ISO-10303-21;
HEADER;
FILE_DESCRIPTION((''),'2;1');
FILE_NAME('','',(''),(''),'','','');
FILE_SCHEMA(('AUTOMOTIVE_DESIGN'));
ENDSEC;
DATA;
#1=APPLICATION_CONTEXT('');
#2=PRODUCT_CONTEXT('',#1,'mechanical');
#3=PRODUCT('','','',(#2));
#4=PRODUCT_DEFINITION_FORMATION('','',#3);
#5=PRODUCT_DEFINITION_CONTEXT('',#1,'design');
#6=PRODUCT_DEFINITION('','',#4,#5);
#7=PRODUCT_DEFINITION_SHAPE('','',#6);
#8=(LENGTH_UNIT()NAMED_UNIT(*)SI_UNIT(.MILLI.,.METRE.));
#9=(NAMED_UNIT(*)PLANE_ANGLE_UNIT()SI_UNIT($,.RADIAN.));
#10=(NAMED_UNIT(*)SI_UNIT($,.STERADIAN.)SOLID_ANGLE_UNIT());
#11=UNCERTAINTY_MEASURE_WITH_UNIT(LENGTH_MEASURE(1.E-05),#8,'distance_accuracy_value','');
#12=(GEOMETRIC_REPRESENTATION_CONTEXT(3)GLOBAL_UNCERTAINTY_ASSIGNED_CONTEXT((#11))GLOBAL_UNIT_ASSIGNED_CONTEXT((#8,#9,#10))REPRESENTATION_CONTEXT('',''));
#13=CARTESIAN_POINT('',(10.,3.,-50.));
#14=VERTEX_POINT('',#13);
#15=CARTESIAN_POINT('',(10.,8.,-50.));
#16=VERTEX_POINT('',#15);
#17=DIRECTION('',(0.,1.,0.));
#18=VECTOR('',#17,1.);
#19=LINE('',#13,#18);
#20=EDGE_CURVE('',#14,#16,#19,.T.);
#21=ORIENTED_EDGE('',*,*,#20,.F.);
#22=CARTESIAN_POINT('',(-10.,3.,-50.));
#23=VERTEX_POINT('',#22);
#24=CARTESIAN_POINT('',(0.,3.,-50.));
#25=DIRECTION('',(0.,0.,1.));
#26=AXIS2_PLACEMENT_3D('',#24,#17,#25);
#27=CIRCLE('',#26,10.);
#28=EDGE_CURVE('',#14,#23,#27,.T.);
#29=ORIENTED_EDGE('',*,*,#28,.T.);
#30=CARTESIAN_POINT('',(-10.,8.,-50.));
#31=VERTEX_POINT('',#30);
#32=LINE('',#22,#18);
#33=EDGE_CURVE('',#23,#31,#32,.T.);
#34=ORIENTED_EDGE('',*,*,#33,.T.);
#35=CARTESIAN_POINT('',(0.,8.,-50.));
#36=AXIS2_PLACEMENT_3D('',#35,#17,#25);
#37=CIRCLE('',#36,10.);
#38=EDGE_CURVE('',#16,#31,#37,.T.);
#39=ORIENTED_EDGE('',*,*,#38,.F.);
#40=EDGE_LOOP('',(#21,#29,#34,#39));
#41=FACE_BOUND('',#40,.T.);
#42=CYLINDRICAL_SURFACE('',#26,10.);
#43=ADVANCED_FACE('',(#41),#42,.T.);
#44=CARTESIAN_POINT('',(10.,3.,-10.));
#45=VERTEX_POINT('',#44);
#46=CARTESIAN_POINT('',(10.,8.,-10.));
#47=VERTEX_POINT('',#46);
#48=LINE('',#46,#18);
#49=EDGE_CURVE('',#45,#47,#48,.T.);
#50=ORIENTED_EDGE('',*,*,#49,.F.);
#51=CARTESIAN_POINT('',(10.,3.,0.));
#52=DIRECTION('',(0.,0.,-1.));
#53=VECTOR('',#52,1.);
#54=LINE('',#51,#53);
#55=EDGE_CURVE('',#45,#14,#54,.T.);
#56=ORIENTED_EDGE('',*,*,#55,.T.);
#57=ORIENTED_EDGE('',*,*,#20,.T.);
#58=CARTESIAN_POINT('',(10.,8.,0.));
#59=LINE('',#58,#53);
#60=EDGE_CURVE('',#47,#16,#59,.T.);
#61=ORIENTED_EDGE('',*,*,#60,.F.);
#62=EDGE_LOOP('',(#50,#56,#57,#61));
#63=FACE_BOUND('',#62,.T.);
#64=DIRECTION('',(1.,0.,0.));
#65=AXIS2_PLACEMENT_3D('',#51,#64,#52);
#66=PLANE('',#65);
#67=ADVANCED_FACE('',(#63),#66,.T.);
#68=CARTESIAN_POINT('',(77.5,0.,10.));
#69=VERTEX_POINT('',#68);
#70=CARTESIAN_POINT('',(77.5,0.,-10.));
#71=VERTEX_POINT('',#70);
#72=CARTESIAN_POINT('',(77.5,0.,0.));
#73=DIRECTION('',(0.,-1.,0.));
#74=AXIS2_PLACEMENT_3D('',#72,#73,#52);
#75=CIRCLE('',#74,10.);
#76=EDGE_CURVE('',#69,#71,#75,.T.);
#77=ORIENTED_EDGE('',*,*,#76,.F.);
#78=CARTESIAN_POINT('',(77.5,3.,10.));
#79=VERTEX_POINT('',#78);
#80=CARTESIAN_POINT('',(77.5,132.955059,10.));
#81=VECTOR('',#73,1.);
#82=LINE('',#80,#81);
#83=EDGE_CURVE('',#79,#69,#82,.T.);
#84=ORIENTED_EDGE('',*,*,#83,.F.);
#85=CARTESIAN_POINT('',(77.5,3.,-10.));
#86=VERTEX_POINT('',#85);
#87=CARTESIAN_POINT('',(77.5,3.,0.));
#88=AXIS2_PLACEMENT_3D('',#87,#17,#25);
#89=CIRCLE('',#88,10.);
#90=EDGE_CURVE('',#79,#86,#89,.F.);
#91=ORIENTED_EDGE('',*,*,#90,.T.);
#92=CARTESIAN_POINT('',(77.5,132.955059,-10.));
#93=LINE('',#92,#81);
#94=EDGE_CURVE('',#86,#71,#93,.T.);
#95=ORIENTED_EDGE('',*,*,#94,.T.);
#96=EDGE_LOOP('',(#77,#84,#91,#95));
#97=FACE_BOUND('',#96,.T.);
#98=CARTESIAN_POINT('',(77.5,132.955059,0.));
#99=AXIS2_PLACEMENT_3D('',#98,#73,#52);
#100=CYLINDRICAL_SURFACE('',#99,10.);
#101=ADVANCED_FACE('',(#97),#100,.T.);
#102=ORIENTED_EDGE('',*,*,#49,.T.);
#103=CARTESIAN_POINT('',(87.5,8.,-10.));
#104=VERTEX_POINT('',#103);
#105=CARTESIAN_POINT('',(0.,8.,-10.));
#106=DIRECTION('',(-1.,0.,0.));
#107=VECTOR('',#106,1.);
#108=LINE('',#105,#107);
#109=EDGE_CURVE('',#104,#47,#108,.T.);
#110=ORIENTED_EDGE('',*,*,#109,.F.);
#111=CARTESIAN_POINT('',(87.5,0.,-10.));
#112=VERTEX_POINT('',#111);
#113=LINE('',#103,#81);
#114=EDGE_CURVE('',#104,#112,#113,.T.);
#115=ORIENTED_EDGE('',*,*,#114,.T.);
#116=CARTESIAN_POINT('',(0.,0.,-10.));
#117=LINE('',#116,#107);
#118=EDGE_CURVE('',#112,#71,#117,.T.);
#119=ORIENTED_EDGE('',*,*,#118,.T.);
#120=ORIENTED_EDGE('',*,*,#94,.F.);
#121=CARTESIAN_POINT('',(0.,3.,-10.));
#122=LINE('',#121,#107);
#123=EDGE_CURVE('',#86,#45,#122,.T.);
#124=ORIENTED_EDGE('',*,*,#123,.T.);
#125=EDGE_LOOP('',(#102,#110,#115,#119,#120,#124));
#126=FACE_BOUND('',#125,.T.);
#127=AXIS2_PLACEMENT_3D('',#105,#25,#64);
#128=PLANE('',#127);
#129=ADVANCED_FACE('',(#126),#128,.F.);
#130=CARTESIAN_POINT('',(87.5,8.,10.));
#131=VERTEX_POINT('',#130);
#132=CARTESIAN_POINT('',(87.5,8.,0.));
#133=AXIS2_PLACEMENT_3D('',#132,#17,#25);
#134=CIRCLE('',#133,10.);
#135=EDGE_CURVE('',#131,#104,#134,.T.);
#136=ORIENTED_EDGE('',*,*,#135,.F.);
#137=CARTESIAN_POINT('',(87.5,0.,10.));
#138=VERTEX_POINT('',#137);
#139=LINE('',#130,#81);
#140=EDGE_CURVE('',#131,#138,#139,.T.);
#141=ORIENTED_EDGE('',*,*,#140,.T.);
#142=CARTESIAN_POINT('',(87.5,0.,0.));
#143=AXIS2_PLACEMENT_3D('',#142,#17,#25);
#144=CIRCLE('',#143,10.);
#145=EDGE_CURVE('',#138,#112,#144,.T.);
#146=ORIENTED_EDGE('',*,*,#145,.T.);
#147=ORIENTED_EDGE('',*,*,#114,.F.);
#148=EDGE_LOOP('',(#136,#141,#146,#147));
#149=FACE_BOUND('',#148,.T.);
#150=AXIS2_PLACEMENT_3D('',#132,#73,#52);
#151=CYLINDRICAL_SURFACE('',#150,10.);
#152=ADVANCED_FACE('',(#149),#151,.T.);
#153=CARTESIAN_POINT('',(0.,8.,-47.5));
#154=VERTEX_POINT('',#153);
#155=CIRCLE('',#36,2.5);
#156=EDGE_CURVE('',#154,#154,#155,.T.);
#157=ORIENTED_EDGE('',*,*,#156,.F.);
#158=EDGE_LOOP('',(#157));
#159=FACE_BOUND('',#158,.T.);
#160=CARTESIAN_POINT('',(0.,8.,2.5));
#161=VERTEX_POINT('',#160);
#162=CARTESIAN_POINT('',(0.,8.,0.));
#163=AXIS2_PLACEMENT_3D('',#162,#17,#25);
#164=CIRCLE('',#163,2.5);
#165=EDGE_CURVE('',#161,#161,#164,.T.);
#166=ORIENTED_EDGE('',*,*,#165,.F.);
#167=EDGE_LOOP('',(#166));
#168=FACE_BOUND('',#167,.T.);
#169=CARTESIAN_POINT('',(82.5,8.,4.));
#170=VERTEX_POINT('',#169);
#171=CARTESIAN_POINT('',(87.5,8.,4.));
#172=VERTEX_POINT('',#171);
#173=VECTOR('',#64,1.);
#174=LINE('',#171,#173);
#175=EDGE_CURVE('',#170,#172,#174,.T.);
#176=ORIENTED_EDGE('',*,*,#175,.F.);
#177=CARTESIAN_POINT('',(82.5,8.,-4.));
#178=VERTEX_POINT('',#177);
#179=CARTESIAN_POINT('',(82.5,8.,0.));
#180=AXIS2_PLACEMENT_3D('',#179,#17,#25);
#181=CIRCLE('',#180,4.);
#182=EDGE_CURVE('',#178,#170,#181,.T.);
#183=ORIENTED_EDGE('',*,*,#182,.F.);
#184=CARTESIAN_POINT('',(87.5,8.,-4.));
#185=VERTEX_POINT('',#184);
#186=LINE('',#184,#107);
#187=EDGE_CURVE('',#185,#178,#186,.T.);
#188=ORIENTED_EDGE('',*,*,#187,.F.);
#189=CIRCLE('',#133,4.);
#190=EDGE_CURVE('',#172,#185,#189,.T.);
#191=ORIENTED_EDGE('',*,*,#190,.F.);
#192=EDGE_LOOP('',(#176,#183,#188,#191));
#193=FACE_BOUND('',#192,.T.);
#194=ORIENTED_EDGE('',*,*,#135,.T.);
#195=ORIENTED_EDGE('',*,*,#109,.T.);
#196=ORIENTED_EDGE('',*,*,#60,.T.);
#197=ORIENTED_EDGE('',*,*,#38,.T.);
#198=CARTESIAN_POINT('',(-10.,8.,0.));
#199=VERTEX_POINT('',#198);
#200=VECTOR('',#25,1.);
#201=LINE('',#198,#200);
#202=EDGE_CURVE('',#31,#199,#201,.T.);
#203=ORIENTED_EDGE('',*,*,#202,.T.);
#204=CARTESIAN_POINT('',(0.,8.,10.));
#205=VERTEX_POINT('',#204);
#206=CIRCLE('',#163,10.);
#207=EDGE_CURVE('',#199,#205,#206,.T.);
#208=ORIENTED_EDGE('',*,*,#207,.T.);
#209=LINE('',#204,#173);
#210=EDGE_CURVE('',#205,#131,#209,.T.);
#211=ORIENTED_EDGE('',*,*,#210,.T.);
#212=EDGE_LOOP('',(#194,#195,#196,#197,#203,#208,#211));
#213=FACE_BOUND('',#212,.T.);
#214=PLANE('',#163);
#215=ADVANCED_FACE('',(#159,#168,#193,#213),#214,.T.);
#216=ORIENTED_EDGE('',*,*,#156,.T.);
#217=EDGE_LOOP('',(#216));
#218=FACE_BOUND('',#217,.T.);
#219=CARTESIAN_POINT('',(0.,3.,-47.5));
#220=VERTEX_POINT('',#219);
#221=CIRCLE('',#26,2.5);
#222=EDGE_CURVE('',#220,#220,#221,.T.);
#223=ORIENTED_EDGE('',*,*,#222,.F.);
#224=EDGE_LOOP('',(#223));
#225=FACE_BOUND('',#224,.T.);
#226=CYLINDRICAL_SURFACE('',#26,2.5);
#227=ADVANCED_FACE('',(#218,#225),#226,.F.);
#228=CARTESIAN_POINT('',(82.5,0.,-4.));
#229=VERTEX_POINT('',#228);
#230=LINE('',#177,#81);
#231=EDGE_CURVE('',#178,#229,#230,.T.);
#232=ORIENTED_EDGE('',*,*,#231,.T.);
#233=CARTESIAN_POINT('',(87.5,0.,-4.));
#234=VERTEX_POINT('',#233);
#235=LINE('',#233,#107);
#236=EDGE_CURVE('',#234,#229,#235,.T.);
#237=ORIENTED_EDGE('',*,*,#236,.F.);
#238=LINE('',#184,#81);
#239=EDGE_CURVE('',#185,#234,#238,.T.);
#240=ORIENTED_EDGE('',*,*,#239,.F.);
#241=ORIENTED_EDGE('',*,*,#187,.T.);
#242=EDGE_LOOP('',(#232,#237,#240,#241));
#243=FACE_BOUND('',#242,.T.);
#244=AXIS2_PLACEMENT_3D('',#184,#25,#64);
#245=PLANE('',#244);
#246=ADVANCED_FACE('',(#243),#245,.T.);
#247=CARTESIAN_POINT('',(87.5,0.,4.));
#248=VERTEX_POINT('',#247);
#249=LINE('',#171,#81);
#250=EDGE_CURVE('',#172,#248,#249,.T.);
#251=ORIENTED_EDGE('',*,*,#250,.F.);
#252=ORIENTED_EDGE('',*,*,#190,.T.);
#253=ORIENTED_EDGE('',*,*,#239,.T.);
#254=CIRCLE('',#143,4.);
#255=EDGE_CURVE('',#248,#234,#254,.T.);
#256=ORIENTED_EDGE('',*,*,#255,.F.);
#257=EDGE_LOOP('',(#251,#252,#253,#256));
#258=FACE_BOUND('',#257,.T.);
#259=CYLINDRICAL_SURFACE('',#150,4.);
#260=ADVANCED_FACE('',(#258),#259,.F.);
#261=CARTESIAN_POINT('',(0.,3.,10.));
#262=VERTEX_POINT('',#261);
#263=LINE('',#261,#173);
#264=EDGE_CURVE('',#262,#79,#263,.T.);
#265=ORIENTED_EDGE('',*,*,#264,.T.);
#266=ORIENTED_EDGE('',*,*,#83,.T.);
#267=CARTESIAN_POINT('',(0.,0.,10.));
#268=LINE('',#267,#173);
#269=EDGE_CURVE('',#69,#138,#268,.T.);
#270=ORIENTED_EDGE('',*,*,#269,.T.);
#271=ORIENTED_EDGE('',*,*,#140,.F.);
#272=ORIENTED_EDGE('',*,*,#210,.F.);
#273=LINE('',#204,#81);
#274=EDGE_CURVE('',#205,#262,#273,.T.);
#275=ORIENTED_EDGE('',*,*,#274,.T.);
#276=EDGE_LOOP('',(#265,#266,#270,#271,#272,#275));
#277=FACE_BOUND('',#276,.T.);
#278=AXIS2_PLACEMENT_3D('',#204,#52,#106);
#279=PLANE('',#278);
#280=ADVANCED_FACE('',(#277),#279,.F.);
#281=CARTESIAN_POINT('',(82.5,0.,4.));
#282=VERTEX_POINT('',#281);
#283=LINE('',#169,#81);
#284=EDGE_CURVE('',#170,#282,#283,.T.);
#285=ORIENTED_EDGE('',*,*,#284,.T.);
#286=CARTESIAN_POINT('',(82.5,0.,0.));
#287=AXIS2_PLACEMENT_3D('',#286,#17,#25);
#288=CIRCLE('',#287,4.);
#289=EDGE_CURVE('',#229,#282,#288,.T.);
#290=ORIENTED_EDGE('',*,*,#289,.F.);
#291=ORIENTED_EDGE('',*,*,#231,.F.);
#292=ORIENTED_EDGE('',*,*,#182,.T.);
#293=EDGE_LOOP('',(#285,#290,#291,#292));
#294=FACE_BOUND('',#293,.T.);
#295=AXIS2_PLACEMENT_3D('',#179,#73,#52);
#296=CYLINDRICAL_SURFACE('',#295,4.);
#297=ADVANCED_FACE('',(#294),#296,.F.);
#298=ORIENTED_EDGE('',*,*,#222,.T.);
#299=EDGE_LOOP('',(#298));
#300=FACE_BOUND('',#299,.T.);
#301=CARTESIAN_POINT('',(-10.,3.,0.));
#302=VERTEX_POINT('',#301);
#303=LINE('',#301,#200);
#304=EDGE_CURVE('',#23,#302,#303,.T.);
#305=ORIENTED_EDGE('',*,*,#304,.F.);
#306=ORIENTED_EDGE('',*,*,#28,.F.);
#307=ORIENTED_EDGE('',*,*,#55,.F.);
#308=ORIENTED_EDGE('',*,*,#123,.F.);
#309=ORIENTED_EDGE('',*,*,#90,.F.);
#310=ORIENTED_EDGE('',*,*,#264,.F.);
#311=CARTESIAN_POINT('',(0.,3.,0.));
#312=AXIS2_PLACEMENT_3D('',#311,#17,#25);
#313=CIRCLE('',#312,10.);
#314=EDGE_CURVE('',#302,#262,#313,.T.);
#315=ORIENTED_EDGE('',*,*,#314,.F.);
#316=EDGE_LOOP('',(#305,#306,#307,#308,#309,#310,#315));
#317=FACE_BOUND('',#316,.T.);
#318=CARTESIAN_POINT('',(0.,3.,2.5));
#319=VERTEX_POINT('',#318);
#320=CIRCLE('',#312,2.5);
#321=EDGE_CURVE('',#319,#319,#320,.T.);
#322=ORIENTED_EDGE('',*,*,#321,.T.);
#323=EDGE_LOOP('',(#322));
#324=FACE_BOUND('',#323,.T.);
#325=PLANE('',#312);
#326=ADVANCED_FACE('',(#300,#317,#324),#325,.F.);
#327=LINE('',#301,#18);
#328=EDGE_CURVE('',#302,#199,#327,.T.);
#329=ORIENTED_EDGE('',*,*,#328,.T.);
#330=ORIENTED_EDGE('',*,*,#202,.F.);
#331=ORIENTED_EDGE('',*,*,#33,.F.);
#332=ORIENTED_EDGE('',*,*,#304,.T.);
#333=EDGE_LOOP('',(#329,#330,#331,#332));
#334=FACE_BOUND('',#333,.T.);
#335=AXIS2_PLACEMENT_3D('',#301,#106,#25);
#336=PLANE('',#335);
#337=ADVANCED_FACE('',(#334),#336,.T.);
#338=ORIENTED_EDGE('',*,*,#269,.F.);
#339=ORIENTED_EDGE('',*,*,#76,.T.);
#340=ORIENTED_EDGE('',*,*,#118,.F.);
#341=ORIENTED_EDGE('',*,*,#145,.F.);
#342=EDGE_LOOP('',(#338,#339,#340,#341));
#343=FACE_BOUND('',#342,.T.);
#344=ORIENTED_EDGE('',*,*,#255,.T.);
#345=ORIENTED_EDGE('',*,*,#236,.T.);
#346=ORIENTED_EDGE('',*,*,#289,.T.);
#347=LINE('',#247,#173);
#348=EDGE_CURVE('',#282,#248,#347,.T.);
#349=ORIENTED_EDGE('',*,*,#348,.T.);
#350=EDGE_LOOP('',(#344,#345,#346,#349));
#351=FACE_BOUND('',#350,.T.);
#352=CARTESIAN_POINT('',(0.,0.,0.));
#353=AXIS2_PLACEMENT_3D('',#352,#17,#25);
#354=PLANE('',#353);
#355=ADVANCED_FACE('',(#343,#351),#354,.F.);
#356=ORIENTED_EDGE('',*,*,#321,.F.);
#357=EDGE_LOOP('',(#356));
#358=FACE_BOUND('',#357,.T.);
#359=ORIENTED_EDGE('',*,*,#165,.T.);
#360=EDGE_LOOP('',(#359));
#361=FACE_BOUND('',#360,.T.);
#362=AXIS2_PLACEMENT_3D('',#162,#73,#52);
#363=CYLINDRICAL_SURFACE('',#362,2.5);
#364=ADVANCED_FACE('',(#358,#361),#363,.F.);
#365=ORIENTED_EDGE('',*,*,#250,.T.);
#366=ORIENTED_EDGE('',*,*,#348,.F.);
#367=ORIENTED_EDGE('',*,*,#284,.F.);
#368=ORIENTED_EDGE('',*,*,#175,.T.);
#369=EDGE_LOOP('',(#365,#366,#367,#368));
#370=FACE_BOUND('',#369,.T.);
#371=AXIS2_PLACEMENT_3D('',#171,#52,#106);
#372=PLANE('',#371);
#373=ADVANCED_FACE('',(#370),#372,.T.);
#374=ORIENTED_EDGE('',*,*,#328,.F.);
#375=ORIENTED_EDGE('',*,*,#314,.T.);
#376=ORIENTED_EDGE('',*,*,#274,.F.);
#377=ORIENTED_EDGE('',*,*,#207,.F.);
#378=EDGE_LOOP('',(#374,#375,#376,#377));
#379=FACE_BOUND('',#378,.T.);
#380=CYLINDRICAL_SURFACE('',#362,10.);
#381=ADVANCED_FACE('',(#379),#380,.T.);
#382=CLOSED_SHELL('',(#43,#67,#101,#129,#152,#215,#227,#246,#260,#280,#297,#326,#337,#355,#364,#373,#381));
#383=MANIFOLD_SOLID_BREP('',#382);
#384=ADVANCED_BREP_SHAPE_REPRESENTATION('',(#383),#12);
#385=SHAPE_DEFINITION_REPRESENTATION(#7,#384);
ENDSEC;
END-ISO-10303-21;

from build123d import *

# Parameters (mm, degrees)
SKETCH1_R           = 2.5
BOSS_EXTRUDE1_DEPTH = 8
BOSS_EXTRUDE2_START = -5
SKETCH2_R           = 2.5
BOSS_EXTRUDE2_DEPTH = 5
SKETCH3_OUTSIDE_W   = 135.206
SKETCH3_OUTSIDE_H   = 97.706
CUT_EXTRUDE2_DEPTH  = 3


with BuildPart() as part:
    # Sketch1 → Boss-Extrude1 (new body)
    with BuildSketch(Plane(origin=(0, 0, 0), x_dir=(1, 0, 0), z_dir=(0, 1, 0))):
        with BuildLine():
            Line((0, 10), (87.5, 10))
            ThreePointArc((87.5, 10), (97.5, 0), (87.5, -10))
            Line((87.5, -10), (0, -10))
            ThreePointArc((0, -10), (-10, 0), (0, 10))
        make_face()
        with Locations(Location((0, 0, 0), (0, 0, 270))):
            Circle(SKETCH1_R, mode=Mode.SUBTRACT)
        with BuildLine():
            Line((87.5, -4), (82.5, -4))
            ThreePointArc((82.5, -4), (78.5, 0), (82.5, 4))
            Line((82.5, 4), (87.5, 4))
            ThreePointArc((87.5, 4), (91.5, 0), (87.5, -4))
        make_face(mode=Mode.SUBTRACT)
    extrude(amount=BOSS_EXTRUDE1_DEPTH)

    # Sketch2 → Boss-Extrude2 (add)
    with BuildSketch(Plane(origin=(0, 8, 0), x_dir=(1, 0, 0), z_dir=(0, 1, 0)).offset(BOSS_EXTRUDE2_START)):
        with BuildLine():
            Line((-10, 0), (-10, 50))
            ThreePointArc((-10, 50), (0, 60), (10, 50))
            Line((10, 50), (10, 0))
            ThreePointArc((10, 0), (0, -10), (-10, 0))
        make_face()
        with Locations(Location((0, 0, 0), (0, 0, 270))):
            Circle(SKETCH2_R, mode=Mode.SUBTRACT)
        with Locations(Location((0, 50, 0), (0, 0, 270))):
            Circle(SKETCH2_R, mode=Mode.SUBTRACT)
    extrude(amount=BOSS_EXTRUDE2_DEPTH)

    # Sketch3 outside → Cut-Extrude2 (cut)
    with BuildSketch(Plane.XZ):
        with Locations((43.75, -25)):
            Rectangle(SKETCH3_OUTSIDE_W, SKETCH3_OUTSIDE_H)
        with BuildLine():
            Line((87.5, -10), (77.5, -10))
            ThreePointArc((77.5, -10), (67.5, 0), (77.5, 10))
            Line((77.5, 10), (87.5, 10))
            ThreePointArc((87.5, 10), (97.5, 0), (87.5, -10))
        make_face(mode=Mode.SUBTRACT)
    extrude(amount=-CUT_EXTRUDE2_DEPTH, mode=Mode.SUBTRACT)


solid = part.part
